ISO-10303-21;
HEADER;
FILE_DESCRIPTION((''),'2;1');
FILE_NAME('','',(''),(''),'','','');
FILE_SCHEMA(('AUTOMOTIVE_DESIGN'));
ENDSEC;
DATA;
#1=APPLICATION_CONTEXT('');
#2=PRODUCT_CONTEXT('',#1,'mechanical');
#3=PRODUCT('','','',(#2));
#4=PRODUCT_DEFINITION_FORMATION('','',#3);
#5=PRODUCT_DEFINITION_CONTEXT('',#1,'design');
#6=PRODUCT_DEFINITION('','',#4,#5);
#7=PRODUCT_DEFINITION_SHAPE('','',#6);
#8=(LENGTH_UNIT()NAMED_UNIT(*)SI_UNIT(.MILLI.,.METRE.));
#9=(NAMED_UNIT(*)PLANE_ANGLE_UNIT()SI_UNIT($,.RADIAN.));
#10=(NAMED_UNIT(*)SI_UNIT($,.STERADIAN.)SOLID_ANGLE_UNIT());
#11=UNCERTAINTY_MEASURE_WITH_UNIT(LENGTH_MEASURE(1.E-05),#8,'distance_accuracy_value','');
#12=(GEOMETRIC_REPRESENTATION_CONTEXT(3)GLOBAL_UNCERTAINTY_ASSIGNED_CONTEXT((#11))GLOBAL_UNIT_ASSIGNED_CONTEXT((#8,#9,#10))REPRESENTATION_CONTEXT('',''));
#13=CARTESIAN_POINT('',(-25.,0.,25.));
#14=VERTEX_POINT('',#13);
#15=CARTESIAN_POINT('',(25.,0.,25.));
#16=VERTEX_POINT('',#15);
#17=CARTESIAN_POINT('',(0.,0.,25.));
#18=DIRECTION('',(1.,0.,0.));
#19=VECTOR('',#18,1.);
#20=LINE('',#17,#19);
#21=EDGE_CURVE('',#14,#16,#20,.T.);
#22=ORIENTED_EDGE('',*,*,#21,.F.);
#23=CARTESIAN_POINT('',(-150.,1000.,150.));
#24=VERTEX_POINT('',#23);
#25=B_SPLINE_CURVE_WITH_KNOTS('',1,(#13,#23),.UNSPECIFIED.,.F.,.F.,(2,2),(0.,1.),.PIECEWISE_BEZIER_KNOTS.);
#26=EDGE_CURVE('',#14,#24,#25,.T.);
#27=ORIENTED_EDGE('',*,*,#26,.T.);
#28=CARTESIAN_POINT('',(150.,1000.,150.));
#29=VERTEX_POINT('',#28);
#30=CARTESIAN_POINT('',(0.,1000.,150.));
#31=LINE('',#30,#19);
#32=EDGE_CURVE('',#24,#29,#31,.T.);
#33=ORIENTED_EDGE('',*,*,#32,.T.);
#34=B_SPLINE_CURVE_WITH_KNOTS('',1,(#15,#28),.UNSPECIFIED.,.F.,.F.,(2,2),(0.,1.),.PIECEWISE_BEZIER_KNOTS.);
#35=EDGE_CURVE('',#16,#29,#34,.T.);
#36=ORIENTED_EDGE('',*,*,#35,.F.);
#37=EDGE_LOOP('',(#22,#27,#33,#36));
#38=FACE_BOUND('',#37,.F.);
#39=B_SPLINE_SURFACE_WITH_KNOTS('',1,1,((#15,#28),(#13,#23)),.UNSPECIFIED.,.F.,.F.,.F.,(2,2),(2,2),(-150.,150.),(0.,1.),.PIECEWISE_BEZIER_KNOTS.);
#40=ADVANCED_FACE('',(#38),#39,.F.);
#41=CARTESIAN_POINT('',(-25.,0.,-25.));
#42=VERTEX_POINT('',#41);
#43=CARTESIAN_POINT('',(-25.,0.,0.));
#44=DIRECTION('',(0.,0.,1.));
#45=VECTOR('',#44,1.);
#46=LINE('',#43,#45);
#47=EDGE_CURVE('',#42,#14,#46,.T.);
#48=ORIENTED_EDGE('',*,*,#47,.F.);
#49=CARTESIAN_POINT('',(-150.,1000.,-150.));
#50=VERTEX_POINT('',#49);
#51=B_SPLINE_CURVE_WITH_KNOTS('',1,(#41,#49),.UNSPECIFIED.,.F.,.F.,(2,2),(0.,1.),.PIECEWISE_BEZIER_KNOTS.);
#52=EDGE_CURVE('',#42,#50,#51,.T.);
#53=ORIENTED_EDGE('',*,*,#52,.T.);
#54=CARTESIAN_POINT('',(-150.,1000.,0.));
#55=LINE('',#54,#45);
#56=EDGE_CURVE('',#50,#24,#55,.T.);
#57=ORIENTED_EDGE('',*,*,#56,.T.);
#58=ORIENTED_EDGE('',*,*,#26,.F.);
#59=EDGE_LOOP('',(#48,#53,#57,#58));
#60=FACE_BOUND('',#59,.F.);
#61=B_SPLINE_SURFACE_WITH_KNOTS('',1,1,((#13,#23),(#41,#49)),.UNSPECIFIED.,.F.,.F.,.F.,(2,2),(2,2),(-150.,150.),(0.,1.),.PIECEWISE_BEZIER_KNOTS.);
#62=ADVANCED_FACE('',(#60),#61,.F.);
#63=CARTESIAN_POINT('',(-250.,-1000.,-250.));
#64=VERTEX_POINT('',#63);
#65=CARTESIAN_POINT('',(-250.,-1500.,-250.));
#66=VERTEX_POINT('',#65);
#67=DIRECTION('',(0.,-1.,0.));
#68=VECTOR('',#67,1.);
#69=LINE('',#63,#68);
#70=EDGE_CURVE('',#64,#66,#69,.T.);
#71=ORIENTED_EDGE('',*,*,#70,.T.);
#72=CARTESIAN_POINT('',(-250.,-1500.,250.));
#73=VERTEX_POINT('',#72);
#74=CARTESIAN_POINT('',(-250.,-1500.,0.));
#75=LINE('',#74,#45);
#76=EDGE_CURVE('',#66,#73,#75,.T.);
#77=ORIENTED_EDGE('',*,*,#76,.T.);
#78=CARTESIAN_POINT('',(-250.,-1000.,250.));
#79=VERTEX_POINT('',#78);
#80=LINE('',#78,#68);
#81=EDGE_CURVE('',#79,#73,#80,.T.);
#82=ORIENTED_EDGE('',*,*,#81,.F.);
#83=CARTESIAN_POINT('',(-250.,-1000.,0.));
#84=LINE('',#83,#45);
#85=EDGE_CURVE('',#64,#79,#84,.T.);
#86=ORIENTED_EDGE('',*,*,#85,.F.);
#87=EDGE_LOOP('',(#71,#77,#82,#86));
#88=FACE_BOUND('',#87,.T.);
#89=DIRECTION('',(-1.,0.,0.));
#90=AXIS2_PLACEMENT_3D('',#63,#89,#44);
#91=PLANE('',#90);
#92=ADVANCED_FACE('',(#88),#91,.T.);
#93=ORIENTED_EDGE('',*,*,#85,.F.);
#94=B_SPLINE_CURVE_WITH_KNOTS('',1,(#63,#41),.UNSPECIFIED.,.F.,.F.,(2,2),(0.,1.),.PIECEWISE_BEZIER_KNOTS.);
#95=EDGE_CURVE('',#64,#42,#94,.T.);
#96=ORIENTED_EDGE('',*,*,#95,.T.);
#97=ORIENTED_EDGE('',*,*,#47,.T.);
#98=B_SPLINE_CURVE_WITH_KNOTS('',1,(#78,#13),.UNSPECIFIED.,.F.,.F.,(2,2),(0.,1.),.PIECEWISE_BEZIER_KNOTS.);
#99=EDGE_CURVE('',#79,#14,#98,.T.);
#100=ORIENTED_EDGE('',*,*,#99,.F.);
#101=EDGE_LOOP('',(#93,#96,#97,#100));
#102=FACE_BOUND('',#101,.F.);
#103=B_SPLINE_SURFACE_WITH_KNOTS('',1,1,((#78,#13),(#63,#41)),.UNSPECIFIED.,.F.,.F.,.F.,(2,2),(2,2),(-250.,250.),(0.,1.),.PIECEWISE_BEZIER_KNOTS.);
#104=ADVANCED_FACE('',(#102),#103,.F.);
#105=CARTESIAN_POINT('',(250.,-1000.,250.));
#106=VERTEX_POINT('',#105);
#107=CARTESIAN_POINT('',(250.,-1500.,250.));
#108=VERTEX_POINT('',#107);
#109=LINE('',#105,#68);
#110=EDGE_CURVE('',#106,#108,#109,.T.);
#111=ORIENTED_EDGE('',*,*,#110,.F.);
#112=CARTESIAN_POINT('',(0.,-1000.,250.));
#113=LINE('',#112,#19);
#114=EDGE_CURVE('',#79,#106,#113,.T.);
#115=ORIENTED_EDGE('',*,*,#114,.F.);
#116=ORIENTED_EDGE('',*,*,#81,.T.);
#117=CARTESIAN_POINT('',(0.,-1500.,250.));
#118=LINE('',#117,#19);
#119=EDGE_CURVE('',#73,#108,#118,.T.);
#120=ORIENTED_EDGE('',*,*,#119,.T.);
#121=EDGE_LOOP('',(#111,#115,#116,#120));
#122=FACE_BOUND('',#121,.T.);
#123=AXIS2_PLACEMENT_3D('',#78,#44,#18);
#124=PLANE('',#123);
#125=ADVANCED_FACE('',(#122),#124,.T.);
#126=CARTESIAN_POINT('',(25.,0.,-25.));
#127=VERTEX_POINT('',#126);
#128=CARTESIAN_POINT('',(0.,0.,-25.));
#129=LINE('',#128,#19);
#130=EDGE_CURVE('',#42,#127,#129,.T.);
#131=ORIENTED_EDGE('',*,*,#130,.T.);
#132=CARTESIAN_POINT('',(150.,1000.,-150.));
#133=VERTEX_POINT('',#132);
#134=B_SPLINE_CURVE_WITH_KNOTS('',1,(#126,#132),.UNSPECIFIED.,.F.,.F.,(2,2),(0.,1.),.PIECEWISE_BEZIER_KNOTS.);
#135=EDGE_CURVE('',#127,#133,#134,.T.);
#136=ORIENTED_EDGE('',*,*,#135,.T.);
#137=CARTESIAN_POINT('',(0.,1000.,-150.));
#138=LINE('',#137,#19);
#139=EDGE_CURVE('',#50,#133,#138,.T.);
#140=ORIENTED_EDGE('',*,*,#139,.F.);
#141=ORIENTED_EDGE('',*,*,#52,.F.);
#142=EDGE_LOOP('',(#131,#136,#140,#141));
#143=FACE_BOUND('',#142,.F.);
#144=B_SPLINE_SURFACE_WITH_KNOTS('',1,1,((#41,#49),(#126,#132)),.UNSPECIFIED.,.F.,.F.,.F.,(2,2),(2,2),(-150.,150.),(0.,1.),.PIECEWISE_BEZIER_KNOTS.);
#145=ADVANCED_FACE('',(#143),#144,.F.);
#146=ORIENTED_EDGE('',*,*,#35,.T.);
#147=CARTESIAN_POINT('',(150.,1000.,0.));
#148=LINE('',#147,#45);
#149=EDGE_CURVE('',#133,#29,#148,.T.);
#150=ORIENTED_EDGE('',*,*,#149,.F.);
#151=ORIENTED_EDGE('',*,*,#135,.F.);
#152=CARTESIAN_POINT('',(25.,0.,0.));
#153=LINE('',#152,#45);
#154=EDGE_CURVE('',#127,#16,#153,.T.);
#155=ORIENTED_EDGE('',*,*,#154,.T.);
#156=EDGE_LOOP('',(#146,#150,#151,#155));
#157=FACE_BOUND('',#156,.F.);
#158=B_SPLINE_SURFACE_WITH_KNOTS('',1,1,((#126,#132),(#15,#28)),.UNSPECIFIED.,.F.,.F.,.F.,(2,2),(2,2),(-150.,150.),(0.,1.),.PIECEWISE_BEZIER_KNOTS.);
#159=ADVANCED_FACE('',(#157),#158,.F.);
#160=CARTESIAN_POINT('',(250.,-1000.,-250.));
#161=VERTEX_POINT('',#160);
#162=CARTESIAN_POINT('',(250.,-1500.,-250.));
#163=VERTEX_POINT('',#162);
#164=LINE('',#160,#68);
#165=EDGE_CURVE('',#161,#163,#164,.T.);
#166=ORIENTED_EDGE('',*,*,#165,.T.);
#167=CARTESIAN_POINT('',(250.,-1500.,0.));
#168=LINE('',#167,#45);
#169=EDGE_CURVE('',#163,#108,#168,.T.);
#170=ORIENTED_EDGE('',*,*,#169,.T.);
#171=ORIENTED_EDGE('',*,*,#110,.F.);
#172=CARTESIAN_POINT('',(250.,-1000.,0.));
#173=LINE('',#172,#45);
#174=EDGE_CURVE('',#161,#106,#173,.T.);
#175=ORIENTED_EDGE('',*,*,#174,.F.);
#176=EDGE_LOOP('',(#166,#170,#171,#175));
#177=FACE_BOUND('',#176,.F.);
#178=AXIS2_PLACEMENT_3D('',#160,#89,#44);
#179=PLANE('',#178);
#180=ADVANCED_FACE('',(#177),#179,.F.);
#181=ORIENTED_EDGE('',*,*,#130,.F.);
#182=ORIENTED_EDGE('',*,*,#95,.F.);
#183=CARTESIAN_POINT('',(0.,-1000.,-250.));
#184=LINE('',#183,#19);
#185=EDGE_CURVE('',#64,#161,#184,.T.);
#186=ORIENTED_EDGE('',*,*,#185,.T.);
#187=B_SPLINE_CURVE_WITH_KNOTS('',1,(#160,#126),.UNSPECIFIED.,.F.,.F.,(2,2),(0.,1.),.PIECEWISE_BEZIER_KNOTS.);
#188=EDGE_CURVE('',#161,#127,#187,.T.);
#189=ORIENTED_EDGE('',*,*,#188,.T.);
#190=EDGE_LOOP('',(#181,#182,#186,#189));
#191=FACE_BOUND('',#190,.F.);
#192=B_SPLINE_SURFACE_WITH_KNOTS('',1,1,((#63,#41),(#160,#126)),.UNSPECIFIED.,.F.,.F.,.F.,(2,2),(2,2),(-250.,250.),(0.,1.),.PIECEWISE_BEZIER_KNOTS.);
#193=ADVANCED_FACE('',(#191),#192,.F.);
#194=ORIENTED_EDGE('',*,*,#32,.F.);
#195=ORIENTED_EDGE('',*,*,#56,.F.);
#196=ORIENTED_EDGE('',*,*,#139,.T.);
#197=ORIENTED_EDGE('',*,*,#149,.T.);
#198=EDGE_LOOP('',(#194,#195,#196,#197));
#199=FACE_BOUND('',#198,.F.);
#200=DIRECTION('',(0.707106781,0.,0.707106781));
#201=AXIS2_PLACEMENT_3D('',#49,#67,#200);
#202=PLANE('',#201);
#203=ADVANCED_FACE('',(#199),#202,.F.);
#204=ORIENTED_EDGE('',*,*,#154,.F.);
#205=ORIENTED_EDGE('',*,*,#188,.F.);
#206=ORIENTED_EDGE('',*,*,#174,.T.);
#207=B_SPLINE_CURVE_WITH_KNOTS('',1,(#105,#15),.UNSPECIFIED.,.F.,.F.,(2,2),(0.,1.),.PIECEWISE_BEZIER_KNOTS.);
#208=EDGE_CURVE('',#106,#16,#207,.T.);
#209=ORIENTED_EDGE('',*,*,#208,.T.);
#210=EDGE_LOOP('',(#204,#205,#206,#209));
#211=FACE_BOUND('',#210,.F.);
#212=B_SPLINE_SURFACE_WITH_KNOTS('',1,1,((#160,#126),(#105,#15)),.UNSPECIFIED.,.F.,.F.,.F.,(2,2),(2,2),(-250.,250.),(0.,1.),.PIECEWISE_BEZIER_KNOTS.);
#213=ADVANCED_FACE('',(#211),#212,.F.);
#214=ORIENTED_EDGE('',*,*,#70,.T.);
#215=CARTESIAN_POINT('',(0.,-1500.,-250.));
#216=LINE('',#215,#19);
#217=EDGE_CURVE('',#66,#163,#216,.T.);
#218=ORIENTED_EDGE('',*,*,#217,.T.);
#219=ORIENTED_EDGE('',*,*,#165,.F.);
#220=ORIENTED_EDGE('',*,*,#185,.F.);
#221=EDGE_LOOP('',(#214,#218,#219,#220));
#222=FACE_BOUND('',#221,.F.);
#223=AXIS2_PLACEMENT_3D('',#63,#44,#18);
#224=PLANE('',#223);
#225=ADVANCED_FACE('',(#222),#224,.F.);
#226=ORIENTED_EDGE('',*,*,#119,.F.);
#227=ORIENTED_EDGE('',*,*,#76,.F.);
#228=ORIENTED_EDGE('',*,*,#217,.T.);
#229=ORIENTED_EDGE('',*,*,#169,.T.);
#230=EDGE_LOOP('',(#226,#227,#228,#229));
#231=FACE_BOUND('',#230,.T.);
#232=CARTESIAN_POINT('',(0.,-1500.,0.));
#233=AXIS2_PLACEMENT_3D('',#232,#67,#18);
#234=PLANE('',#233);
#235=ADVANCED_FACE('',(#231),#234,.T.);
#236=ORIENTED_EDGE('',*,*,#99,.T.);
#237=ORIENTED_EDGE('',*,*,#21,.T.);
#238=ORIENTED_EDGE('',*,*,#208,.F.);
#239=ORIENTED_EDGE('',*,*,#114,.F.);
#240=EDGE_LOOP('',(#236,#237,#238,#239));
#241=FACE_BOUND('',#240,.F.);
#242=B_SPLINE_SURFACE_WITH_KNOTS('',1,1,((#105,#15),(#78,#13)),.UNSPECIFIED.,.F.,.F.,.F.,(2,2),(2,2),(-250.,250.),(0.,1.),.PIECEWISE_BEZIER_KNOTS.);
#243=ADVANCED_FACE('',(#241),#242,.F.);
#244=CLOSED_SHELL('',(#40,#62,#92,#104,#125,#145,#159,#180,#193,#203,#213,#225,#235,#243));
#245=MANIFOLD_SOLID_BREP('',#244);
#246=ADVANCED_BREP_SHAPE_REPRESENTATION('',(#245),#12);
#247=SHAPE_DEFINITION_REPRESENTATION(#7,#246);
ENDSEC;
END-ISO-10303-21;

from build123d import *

# Parameters (mm, degrees)
F2_W      = 500
F2_H      = 500
F1_W      = 50
F1_H      = 50
F5_W      = 300
F5_H      = 300
F3_FACE_W = 500
F3_FACE_H = 500
F7_DEPTH  = 500


with BuildPart() as f3:
    # F2 (on offset) → F3 section 0
    with BuildSketch(Plane.XZ.offset(1000)):
        Rectangle(F2_W, F2_H)
    # F1 (on Front) → F3 section 1
    with BuildSketch(Plane.XZ):
        Rectangle(F1_W, F1_H)
    loft()

    # F1 (on Front) → F6 section 0
    with BuildSketch(Plane.XZ):
        Rectangle(F1_W, F1_H)
    # F5 (on offset) → F6 section 1
    with BuildSketch(Plane.XZ.offset(-1000)):
        Rectangle(F5_W, F5_H)
    loft()

    # F3_face (on face) → F7 (join)
    with BuildSketch(Plane.XZ.offset(1000)):
        Rectangle(F3_FACE_W, F3_FACE_H)
    extrude(amount=F7_DEPTH)


solid = f3.part
